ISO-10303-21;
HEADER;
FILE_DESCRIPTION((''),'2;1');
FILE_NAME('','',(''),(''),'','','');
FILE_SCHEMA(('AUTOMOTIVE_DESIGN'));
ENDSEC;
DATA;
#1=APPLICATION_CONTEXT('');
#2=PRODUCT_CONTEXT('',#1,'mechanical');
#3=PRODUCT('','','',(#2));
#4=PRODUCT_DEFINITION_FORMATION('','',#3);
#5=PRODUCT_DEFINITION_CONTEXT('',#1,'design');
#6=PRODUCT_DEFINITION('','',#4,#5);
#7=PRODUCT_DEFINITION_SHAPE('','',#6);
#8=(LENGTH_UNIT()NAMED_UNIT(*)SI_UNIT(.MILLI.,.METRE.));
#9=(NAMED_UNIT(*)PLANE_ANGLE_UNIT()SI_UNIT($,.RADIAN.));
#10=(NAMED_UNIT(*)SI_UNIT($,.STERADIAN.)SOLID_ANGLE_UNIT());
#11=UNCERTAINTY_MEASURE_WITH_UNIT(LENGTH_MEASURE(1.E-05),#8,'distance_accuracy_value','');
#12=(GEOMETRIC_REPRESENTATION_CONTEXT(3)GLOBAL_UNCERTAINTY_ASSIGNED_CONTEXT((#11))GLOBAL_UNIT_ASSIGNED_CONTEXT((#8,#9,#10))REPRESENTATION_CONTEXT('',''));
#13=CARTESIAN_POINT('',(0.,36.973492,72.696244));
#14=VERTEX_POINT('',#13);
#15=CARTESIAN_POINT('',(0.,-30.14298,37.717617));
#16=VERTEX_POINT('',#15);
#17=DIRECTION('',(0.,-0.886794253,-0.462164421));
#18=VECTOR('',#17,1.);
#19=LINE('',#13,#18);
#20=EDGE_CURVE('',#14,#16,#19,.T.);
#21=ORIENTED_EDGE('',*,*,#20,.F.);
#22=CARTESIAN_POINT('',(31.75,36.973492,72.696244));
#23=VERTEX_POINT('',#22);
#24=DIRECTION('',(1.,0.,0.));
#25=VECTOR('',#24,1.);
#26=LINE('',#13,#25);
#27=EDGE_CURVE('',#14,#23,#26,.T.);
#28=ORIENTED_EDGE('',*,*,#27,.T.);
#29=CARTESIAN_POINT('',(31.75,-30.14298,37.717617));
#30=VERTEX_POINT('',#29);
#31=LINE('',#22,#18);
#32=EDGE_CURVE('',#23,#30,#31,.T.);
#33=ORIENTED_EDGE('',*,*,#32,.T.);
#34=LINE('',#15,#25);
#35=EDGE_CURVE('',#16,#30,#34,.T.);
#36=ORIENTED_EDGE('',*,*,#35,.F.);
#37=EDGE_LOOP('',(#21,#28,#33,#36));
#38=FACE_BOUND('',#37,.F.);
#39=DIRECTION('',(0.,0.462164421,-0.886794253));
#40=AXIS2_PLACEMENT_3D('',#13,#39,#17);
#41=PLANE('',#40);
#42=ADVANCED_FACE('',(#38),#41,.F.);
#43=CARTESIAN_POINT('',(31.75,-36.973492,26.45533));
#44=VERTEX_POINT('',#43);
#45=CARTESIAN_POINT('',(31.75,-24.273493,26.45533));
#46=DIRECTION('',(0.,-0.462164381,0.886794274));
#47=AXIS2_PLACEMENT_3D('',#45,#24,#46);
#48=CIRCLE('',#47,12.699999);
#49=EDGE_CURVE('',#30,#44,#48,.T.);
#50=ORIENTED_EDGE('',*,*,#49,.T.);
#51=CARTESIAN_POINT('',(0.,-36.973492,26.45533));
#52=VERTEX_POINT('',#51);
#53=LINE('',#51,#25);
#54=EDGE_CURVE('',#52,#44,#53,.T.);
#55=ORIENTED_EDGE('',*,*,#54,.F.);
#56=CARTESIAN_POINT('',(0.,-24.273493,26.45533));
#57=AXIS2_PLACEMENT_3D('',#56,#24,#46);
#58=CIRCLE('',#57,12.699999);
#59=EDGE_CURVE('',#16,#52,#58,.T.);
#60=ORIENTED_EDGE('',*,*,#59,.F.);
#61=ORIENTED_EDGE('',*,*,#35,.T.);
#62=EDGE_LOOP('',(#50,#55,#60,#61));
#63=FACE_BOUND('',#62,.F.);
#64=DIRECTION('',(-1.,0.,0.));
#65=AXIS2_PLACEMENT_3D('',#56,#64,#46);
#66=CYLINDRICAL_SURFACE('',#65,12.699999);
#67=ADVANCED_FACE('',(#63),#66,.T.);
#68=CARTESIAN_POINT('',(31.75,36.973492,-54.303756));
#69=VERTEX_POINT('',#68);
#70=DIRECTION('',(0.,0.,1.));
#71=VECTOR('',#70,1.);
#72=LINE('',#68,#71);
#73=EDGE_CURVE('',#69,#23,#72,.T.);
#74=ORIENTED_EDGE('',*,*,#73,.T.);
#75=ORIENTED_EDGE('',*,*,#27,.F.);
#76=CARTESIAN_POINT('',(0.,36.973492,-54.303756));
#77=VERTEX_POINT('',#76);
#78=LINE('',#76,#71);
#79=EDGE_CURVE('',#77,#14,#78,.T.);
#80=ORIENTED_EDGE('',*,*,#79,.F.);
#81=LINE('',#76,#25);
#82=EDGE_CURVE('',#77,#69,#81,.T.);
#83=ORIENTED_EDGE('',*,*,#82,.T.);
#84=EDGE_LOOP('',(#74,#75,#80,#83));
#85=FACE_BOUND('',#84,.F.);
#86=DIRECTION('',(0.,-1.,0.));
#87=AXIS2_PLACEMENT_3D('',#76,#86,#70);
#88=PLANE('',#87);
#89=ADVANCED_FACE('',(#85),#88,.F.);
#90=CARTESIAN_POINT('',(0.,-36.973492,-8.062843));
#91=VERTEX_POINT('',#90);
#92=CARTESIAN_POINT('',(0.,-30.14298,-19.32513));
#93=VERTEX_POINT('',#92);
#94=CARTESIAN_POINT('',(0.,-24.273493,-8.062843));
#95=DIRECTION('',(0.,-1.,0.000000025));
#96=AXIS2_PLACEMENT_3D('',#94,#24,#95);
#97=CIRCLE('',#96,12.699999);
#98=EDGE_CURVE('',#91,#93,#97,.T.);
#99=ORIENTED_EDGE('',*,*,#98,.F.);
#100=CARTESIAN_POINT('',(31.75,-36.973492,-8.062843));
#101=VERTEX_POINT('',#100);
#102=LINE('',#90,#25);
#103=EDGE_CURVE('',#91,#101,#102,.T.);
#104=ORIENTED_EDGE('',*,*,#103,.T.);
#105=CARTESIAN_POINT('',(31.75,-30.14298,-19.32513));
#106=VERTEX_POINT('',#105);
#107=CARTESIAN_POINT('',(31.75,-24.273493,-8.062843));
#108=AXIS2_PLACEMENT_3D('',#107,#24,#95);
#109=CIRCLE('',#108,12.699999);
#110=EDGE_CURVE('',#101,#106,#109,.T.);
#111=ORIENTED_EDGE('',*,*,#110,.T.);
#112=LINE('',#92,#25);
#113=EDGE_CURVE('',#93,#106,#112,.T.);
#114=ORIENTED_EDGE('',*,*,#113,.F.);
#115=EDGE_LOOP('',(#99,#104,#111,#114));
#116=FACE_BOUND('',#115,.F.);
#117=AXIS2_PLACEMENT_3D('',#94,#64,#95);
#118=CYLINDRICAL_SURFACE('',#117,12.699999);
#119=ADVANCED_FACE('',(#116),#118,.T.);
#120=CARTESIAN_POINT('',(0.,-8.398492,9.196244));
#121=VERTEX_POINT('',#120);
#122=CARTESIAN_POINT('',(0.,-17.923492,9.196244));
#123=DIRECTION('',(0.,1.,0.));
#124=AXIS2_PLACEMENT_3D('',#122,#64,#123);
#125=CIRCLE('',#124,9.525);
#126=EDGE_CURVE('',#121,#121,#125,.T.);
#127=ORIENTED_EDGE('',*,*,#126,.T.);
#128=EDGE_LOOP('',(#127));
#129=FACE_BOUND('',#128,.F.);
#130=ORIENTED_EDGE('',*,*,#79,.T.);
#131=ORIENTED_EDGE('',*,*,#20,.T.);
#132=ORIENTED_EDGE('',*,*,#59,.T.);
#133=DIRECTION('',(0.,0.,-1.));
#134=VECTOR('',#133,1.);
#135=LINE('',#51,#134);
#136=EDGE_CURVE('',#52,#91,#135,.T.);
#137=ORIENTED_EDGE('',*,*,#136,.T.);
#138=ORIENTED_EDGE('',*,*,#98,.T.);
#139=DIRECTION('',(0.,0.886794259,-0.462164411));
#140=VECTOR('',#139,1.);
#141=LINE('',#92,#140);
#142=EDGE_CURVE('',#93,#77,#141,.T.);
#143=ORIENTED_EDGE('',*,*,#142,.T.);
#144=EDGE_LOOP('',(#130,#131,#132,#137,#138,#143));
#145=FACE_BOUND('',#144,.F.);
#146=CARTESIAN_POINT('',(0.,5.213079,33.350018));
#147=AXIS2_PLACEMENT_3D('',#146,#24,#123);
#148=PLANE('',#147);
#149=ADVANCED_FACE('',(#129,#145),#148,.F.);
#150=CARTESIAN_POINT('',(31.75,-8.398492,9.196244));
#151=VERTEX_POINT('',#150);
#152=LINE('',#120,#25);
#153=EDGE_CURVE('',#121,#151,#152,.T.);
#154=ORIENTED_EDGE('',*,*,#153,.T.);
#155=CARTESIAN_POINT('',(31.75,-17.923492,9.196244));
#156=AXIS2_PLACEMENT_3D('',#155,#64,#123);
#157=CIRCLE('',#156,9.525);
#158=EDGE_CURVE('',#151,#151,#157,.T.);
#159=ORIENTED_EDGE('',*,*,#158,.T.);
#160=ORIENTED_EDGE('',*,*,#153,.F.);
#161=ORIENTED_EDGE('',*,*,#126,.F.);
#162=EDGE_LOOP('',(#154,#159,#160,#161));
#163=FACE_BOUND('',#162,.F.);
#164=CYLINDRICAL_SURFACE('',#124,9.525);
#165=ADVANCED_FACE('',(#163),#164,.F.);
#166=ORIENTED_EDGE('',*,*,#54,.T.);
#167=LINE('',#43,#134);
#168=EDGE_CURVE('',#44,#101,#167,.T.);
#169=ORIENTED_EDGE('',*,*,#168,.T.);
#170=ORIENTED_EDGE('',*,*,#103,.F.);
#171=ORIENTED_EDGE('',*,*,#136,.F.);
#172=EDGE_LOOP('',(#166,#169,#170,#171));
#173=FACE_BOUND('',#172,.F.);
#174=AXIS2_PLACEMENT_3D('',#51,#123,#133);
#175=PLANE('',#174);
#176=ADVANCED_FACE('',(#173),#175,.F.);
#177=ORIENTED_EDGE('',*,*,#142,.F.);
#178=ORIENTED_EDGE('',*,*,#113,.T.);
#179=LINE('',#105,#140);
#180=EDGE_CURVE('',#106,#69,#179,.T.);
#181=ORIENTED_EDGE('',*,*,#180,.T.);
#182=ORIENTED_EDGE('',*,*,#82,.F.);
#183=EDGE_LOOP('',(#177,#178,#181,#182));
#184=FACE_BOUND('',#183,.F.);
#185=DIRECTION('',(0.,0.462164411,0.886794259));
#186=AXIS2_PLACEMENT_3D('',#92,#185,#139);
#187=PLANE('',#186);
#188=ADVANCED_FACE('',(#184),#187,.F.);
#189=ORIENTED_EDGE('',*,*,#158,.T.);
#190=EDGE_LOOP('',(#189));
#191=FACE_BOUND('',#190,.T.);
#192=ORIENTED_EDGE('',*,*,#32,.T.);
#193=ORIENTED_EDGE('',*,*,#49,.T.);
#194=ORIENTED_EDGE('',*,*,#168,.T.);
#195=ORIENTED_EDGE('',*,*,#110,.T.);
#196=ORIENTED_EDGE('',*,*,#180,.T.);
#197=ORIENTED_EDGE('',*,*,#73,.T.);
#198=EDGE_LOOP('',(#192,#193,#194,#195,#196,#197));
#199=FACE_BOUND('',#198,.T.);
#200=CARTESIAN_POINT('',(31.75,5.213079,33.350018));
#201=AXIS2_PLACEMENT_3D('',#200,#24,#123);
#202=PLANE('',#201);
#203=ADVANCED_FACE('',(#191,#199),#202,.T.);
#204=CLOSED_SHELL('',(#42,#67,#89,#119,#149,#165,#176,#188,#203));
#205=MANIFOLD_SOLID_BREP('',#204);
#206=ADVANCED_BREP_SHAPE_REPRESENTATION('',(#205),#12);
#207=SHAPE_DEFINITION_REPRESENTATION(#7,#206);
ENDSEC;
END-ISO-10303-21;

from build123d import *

# Parameters (mm, degrees)
F1_DEPTH = 31.75


with BuildPart() as f1:
    # F0 (on Right) → F1 (new body)
    with BuildSketch(Plane.YZ):
        with BuildLine():
            Line((36.973492, 9.196244), (36.973492, 72.696244))
            Line((36.973492, 72.696244), (-30.14298, 37.717617))
            ThreePointArc((-30.14298, 37.717617), (-35.132417, 33.041205), (-36.973492, 26.45533))
            Line((-36.973492, 26.45533), (-36.973492, 9.196244))
            Line((-36.973492, 9.196244), (-27.448492, 9.196244))
            ThreePointArc((-27.448492, 9.196244), (-17.923492, 18.721244), (-8.398492, 9.196244))
            Line((-8.398492, 9.196244), (36.973492, 9.196244))
        make_face()
        with BuildLine():
            Line((36.973492, -54.303756), (36.973492, 9.196244))
            Line((36.973492, 9.196244), (-8.398492, 9.196244))
            ThreePointArc((-8.398492, 9.196244), (-17.923492, -0.328756), (-27.448492, 9.196244))
            Line((-27.448492, 9.196244), (-36.973492, 9.196244))
            Line((-36.973492, 9.196244), (-36.973492, -8.062843))
            ThreePointArc((-36.973492, -8.062843), (-35.132417, -14.648718), (-30.14298, -19.32513))
            Line((-30.14298, -19.32513), (36.973492, -54.303756))
        make_face()
    extrude(amount=F1_DEPTH)


solid = f1.part
